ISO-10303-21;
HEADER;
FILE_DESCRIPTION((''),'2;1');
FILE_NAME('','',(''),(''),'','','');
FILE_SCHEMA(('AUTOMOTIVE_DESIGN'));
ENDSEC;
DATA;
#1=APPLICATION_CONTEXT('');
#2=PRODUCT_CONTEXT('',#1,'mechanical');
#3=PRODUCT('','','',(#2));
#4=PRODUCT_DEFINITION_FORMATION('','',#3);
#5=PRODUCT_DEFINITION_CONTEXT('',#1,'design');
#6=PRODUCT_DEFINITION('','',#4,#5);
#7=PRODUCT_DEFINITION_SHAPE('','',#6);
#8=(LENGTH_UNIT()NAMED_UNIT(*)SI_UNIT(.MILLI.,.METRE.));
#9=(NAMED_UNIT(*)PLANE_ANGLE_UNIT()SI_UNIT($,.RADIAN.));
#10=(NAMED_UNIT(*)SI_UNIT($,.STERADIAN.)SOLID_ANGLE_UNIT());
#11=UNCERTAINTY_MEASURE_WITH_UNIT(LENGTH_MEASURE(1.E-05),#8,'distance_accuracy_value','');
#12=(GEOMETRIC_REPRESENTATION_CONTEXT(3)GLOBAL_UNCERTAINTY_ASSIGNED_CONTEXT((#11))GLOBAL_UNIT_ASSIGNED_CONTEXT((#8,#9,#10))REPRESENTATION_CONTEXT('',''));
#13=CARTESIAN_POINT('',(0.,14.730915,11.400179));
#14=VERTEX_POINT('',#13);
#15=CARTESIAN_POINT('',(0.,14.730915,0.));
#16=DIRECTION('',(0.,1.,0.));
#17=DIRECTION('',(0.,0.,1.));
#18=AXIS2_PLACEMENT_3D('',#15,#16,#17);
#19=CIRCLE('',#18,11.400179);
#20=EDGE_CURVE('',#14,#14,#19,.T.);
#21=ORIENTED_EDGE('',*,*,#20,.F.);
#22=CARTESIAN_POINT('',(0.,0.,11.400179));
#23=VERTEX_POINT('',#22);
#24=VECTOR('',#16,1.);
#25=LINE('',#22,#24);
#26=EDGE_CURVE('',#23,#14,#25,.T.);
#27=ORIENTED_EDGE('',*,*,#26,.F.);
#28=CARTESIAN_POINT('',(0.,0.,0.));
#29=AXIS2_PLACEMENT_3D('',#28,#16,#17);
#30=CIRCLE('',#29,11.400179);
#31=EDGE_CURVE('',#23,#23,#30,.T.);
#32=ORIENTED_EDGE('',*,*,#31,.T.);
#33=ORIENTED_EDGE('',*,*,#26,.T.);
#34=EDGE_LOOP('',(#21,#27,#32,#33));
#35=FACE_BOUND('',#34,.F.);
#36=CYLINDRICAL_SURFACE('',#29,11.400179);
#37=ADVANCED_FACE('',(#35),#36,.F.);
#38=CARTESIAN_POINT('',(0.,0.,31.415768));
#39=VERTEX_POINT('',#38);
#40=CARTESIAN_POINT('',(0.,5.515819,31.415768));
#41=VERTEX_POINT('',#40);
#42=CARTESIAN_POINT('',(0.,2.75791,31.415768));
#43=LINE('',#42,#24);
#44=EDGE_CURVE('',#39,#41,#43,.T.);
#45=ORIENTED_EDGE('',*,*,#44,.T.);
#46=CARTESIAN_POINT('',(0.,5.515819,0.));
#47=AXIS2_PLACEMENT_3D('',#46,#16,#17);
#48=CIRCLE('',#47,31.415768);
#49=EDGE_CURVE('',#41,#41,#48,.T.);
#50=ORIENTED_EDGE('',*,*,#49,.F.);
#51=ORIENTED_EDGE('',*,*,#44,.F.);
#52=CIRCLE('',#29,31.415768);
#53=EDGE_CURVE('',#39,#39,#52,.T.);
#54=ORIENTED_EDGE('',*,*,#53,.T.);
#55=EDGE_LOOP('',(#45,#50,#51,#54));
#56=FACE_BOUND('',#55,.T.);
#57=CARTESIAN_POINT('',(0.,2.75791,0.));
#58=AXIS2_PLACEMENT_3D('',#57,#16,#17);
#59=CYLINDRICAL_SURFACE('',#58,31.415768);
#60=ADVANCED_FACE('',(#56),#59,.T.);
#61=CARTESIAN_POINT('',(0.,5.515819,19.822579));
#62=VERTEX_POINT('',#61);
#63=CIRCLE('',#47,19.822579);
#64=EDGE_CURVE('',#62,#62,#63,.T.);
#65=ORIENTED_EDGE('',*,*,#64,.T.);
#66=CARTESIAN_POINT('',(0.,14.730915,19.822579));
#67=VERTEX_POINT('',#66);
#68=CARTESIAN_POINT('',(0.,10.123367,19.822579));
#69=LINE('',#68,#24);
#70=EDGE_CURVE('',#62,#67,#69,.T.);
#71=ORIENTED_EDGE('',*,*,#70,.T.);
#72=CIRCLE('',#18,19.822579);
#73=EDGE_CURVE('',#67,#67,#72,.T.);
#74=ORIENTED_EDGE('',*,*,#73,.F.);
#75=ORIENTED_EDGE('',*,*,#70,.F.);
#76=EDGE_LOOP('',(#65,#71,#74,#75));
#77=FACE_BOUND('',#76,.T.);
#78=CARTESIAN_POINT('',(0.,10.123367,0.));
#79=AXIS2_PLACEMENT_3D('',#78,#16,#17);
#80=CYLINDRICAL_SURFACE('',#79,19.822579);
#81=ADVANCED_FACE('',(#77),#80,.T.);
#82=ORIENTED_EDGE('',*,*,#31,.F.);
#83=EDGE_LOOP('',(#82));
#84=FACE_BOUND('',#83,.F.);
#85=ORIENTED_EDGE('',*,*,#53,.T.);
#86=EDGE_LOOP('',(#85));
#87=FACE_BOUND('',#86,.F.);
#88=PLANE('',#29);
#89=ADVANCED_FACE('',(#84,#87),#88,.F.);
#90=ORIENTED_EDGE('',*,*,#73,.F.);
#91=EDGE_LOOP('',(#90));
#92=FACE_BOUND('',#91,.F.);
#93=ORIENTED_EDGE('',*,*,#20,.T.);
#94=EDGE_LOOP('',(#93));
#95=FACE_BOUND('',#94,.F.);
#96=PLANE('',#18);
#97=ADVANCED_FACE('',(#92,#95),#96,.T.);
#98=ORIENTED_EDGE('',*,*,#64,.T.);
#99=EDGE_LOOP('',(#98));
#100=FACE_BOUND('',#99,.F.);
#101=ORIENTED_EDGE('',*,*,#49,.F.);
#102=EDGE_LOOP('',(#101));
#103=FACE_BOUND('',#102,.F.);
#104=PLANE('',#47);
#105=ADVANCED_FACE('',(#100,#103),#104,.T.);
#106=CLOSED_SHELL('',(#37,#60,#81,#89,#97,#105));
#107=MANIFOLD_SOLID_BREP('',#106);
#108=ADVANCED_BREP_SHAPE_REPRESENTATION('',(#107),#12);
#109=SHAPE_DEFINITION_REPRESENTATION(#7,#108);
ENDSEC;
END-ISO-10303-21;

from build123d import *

# Parameters (mm, degrees)
F0_W   = 5.5158194155
F0_H   = 11.5931890905
F0_W_2 = 9.2150960118
F0_H_2 = 8.4223998711


with BuildPart() as f1:
    # F0 (on Right) → F1 (revolve)
    with BuildSketch(Plane.YZ):
        with Locations((2.7579097077, 25.6191734225)):
            Rectangle(F0_W, F0_H)
        with Locations((10.1233674213, 15.6113789417)):
            Rectangle(F0_W_2, F0_H_2)
        with Locations((2.7579097077, 15.6113789417)):
            Rectangle(F0_W, F0_H_2)
    revolve(axis=Axis((0, 7.3488708586, 0), (0, 1, 0)))


solid = f1.part
